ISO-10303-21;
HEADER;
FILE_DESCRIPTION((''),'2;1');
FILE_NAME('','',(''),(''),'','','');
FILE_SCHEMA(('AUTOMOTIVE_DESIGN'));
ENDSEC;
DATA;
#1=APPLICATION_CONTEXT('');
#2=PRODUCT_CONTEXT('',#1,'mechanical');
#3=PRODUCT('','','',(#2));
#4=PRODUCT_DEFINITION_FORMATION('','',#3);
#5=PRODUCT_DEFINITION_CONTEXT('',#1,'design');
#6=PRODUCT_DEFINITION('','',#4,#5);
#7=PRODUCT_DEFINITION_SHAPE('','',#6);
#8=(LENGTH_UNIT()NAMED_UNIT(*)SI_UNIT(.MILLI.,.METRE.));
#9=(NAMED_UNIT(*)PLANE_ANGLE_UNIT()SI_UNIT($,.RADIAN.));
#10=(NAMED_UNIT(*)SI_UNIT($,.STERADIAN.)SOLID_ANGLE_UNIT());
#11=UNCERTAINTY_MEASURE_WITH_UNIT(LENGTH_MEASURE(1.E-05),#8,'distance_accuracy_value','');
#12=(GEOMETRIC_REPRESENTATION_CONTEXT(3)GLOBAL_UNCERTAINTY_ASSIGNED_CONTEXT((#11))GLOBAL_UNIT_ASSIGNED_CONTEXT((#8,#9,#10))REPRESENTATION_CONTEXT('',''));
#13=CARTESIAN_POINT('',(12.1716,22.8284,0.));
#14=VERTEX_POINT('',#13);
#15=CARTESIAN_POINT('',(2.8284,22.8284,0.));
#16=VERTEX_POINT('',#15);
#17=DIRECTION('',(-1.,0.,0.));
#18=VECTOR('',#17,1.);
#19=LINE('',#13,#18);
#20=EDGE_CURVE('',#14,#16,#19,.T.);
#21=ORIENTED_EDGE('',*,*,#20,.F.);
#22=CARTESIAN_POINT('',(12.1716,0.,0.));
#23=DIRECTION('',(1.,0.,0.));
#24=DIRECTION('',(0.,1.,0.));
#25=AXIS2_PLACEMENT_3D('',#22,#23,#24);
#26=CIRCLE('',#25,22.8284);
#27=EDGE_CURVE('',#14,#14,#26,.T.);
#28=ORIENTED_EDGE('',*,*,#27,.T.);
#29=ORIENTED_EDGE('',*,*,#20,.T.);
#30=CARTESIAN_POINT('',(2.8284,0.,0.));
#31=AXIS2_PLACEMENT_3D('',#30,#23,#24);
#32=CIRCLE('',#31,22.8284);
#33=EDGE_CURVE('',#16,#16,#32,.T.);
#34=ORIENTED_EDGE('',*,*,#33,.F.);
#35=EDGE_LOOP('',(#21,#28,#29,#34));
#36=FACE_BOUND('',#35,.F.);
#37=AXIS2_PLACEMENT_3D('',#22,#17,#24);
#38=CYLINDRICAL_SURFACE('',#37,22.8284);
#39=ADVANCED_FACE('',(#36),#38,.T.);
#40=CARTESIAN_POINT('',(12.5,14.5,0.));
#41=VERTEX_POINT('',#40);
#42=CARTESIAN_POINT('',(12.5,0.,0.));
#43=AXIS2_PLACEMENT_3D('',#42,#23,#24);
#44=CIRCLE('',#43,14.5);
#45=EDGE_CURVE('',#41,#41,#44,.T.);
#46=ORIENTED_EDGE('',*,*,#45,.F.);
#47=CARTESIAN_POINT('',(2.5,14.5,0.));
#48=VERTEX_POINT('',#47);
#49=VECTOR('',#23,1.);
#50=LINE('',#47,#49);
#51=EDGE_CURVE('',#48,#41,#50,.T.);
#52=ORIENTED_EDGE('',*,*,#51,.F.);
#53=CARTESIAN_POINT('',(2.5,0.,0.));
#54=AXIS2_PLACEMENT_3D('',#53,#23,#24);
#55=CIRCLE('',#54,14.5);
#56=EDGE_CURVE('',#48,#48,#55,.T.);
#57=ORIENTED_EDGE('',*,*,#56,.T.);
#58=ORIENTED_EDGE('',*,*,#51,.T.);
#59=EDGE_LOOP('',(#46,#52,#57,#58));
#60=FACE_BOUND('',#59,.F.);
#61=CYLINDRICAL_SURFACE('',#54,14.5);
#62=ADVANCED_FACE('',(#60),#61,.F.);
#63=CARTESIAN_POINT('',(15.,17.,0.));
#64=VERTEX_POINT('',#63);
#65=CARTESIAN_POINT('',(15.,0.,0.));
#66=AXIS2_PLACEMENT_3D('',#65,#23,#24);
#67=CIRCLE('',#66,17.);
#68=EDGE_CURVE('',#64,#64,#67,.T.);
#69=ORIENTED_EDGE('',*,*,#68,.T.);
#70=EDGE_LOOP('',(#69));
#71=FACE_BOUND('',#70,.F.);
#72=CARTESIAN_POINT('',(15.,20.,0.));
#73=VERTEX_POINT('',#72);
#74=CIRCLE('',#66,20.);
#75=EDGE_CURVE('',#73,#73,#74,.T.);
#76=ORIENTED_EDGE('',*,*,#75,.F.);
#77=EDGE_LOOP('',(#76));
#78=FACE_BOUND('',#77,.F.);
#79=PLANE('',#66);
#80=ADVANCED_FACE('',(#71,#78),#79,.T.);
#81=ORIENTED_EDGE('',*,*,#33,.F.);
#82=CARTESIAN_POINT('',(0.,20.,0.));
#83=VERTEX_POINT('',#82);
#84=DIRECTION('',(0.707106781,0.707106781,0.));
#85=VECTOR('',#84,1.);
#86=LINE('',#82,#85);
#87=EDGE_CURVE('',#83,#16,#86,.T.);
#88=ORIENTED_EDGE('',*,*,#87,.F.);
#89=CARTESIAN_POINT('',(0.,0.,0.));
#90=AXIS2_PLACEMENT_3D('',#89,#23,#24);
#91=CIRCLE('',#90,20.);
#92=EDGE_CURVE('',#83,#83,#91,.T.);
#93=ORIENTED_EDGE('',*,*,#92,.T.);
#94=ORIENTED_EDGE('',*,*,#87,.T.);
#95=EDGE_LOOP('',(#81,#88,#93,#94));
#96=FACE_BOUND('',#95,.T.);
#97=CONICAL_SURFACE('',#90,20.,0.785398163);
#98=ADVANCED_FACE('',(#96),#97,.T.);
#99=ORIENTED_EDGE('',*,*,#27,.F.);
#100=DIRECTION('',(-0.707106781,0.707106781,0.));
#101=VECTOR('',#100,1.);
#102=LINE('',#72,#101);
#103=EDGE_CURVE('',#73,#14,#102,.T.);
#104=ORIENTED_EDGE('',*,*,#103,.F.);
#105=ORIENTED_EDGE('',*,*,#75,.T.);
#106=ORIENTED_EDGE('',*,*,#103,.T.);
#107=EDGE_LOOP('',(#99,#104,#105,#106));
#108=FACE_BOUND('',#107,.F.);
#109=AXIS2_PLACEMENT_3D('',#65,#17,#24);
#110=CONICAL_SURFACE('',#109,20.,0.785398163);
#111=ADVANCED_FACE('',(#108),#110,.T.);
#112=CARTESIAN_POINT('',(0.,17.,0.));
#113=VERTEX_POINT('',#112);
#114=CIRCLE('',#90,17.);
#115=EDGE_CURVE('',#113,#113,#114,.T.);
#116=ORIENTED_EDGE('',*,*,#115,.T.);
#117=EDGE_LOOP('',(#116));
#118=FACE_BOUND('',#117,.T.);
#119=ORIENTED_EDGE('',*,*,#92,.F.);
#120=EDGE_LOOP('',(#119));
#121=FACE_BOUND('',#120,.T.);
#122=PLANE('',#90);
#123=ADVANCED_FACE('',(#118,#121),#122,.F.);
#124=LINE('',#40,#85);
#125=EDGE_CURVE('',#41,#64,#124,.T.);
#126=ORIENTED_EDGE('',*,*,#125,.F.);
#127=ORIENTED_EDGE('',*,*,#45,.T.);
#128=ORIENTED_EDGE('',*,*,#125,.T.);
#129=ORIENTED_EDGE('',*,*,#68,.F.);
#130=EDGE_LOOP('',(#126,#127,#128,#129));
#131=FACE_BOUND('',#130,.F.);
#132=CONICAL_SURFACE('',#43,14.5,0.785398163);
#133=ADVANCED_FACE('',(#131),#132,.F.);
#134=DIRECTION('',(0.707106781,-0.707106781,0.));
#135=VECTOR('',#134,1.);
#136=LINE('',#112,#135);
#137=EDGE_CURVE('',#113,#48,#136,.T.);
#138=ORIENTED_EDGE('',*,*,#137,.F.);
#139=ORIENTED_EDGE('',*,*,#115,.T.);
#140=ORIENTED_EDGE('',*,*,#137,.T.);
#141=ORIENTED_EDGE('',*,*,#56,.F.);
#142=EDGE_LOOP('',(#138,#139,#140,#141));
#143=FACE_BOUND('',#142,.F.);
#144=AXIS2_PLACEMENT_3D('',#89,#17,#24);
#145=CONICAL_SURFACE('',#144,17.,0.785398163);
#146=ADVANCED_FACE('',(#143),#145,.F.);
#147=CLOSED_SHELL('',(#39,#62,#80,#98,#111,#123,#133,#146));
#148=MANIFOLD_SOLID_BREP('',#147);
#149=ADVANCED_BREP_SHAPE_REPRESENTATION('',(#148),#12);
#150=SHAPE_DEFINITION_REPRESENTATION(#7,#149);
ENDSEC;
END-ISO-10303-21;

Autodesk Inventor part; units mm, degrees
ref_plane "YZ Plane" through (0, 0, 0) normal (1, 0, 0) x (0, 1, 0)
ref_plane "XZ Plane" through (0, 0, 0) normal (0, 1, 0) x (-1, 0, 0)
ref_plane "XY Plane" through (0, 0, 0) normal (0, 0, 1) x (1, 0, 0)
sketch "Эскиз1" plane through (0, 0, 0) normal (0, 0, 1) x (1, 0, 0)
  line L0 (0, 0) -> (0, 17) construction
  line L1 (0, 20) -> (2.8284, 22.8284)
  line L2 (0, 0) -> (15, 0)
  line L3 (15, 0) -> (15, 17) construction
  line L4 (15, 20) -> (12.1716, 22.8284)
  line L5 (12.1716, 22.8284) -> (2.8284, 22.8284)
  line L6 (0, 17) -> (2.5, 14.5)
  line L7 (0, 17) -> (3.5355, 17) construction
  line L8 (2.5, 14.5) -> (12.5, 14.5)
  line L9 (12.5, 14.5) -> (15, 17)
  line L10 (12.5, 14.5) -> (16.0355, 14.5) construction
  line L11 (0, 17) -> (0, 20)
  line L12 (15, 17) -> (15, 20)
  dimension "d0" = 20
  dimension "d1" = 4
  dimension "d2" = 135
  dimension "d3" = 15
  dimension "d4" = 4
  dimension "d5" = 135
  dimension "d6" = 45
  dimension "d7" = 45
  dimension "d8" = 3
  dimension "d9" = 10
revolve "Вращение1" add sketch "Эскиз1" angle 360 about axis through (0, 0, 0) along (1, 0, 0)
properties part number "711141"
